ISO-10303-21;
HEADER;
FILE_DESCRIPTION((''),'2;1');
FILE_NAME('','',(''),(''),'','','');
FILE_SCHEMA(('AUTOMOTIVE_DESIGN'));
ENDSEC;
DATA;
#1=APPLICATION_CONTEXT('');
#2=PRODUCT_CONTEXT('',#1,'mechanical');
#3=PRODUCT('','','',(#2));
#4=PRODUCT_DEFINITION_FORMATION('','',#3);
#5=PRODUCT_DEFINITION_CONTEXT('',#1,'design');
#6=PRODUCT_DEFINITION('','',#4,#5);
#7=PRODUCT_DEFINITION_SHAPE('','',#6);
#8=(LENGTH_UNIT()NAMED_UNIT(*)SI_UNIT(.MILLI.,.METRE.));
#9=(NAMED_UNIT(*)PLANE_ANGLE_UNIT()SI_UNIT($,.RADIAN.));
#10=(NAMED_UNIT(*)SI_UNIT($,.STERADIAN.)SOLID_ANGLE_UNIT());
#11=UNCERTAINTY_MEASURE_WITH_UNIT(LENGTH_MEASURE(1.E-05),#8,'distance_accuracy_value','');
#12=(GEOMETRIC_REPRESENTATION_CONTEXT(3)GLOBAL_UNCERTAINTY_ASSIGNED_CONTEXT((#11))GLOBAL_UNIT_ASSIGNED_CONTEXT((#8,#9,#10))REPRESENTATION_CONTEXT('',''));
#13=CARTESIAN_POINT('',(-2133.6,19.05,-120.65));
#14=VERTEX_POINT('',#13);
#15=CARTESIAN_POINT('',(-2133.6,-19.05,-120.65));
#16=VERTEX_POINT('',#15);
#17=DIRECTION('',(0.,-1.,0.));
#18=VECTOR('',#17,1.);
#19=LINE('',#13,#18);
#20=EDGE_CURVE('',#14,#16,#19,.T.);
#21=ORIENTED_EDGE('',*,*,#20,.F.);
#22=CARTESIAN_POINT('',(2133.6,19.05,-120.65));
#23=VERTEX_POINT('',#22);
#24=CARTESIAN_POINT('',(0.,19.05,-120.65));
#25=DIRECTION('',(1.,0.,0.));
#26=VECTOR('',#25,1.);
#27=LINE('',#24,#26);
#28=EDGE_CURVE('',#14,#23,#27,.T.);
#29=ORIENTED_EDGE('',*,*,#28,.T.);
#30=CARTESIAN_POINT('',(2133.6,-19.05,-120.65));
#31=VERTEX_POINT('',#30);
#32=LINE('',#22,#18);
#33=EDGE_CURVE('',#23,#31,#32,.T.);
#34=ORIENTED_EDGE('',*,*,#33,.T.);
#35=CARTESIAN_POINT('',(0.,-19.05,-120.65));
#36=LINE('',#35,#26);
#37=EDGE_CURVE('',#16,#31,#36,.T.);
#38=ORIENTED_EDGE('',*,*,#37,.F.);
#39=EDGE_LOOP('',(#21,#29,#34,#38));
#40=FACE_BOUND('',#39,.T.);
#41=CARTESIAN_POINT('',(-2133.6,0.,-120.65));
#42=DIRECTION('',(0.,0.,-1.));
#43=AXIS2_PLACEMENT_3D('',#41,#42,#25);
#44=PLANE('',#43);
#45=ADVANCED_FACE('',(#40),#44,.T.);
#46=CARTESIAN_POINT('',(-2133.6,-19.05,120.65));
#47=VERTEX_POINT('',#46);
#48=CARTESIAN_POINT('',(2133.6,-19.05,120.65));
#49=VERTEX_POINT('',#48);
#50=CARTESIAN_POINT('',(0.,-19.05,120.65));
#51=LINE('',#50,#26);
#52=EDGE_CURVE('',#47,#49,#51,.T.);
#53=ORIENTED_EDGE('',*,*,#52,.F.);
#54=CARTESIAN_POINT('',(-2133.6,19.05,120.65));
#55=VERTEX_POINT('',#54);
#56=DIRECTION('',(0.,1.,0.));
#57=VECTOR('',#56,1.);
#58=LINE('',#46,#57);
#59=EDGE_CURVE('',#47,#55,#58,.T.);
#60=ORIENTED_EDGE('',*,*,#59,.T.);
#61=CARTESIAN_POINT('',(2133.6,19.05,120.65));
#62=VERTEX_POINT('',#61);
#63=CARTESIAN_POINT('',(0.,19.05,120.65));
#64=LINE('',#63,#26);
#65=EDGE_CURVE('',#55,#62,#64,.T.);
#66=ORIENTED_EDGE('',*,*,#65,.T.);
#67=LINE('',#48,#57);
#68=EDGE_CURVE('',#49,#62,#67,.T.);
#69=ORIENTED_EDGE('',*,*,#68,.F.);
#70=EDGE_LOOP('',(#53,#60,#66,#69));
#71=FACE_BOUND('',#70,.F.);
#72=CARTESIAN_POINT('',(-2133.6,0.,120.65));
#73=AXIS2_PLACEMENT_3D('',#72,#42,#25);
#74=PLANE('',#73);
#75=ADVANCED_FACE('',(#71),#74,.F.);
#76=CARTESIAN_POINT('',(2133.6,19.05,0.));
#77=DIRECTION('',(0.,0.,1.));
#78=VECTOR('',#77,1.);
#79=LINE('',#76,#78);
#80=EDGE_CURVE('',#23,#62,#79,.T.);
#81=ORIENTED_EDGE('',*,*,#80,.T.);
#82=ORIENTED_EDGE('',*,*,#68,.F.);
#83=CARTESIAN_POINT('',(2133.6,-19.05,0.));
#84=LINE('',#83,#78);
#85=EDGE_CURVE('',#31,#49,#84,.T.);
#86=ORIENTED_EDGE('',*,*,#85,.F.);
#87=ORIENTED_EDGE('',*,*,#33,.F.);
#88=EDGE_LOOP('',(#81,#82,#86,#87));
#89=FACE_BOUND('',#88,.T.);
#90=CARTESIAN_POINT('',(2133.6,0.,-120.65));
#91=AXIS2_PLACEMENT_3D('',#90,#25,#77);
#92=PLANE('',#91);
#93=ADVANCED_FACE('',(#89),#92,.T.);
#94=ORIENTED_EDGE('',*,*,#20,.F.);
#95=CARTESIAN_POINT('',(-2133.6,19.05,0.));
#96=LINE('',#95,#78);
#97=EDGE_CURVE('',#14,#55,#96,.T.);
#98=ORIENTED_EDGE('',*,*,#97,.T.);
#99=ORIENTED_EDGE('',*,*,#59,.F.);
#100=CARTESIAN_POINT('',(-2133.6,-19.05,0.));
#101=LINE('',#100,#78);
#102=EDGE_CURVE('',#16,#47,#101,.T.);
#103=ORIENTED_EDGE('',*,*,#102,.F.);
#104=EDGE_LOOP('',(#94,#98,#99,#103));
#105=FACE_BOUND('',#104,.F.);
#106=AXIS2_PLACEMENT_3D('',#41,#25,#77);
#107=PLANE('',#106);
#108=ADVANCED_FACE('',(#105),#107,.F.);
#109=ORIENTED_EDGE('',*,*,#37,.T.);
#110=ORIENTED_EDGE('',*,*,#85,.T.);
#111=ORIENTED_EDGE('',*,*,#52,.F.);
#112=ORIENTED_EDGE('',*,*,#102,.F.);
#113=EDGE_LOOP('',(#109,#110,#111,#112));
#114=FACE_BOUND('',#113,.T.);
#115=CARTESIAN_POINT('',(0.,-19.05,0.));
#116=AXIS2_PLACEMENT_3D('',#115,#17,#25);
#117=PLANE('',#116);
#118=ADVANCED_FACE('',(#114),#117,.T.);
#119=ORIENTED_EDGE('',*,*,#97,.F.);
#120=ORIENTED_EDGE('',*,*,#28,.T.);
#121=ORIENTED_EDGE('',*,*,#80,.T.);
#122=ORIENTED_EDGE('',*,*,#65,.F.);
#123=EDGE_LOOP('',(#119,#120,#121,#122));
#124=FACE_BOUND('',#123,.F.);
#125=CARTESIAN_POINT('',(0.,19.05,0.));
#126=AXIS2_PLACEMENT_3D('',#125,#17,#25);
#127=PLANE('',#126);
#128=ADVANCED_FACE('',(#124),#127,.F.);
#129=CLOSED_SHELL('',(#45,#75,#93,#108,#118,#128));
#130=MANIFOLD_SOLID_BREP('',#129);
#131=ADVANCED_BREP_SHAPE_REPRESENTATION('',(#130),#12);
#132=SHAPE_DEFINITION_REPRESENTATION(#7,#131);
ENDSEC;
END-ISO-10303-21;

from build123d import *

# Parameters (mm, degrees)
F0_W     = 4267.2
F0_H     = 241.3
F1_DEPTH = 19.05


with BuildPart() as f1:
    # F0 (on Front) → F1 (new body, symmetric)
    with BuildSketch(Plane.XZ):
        Rectangle(F0_W, F0_H)
    extrude(amount=F1_DEPTH, both=True)


with BuildPart() as f2_1:
    # F2: copy of F1
    add(f1.part)


solid = f1.part
